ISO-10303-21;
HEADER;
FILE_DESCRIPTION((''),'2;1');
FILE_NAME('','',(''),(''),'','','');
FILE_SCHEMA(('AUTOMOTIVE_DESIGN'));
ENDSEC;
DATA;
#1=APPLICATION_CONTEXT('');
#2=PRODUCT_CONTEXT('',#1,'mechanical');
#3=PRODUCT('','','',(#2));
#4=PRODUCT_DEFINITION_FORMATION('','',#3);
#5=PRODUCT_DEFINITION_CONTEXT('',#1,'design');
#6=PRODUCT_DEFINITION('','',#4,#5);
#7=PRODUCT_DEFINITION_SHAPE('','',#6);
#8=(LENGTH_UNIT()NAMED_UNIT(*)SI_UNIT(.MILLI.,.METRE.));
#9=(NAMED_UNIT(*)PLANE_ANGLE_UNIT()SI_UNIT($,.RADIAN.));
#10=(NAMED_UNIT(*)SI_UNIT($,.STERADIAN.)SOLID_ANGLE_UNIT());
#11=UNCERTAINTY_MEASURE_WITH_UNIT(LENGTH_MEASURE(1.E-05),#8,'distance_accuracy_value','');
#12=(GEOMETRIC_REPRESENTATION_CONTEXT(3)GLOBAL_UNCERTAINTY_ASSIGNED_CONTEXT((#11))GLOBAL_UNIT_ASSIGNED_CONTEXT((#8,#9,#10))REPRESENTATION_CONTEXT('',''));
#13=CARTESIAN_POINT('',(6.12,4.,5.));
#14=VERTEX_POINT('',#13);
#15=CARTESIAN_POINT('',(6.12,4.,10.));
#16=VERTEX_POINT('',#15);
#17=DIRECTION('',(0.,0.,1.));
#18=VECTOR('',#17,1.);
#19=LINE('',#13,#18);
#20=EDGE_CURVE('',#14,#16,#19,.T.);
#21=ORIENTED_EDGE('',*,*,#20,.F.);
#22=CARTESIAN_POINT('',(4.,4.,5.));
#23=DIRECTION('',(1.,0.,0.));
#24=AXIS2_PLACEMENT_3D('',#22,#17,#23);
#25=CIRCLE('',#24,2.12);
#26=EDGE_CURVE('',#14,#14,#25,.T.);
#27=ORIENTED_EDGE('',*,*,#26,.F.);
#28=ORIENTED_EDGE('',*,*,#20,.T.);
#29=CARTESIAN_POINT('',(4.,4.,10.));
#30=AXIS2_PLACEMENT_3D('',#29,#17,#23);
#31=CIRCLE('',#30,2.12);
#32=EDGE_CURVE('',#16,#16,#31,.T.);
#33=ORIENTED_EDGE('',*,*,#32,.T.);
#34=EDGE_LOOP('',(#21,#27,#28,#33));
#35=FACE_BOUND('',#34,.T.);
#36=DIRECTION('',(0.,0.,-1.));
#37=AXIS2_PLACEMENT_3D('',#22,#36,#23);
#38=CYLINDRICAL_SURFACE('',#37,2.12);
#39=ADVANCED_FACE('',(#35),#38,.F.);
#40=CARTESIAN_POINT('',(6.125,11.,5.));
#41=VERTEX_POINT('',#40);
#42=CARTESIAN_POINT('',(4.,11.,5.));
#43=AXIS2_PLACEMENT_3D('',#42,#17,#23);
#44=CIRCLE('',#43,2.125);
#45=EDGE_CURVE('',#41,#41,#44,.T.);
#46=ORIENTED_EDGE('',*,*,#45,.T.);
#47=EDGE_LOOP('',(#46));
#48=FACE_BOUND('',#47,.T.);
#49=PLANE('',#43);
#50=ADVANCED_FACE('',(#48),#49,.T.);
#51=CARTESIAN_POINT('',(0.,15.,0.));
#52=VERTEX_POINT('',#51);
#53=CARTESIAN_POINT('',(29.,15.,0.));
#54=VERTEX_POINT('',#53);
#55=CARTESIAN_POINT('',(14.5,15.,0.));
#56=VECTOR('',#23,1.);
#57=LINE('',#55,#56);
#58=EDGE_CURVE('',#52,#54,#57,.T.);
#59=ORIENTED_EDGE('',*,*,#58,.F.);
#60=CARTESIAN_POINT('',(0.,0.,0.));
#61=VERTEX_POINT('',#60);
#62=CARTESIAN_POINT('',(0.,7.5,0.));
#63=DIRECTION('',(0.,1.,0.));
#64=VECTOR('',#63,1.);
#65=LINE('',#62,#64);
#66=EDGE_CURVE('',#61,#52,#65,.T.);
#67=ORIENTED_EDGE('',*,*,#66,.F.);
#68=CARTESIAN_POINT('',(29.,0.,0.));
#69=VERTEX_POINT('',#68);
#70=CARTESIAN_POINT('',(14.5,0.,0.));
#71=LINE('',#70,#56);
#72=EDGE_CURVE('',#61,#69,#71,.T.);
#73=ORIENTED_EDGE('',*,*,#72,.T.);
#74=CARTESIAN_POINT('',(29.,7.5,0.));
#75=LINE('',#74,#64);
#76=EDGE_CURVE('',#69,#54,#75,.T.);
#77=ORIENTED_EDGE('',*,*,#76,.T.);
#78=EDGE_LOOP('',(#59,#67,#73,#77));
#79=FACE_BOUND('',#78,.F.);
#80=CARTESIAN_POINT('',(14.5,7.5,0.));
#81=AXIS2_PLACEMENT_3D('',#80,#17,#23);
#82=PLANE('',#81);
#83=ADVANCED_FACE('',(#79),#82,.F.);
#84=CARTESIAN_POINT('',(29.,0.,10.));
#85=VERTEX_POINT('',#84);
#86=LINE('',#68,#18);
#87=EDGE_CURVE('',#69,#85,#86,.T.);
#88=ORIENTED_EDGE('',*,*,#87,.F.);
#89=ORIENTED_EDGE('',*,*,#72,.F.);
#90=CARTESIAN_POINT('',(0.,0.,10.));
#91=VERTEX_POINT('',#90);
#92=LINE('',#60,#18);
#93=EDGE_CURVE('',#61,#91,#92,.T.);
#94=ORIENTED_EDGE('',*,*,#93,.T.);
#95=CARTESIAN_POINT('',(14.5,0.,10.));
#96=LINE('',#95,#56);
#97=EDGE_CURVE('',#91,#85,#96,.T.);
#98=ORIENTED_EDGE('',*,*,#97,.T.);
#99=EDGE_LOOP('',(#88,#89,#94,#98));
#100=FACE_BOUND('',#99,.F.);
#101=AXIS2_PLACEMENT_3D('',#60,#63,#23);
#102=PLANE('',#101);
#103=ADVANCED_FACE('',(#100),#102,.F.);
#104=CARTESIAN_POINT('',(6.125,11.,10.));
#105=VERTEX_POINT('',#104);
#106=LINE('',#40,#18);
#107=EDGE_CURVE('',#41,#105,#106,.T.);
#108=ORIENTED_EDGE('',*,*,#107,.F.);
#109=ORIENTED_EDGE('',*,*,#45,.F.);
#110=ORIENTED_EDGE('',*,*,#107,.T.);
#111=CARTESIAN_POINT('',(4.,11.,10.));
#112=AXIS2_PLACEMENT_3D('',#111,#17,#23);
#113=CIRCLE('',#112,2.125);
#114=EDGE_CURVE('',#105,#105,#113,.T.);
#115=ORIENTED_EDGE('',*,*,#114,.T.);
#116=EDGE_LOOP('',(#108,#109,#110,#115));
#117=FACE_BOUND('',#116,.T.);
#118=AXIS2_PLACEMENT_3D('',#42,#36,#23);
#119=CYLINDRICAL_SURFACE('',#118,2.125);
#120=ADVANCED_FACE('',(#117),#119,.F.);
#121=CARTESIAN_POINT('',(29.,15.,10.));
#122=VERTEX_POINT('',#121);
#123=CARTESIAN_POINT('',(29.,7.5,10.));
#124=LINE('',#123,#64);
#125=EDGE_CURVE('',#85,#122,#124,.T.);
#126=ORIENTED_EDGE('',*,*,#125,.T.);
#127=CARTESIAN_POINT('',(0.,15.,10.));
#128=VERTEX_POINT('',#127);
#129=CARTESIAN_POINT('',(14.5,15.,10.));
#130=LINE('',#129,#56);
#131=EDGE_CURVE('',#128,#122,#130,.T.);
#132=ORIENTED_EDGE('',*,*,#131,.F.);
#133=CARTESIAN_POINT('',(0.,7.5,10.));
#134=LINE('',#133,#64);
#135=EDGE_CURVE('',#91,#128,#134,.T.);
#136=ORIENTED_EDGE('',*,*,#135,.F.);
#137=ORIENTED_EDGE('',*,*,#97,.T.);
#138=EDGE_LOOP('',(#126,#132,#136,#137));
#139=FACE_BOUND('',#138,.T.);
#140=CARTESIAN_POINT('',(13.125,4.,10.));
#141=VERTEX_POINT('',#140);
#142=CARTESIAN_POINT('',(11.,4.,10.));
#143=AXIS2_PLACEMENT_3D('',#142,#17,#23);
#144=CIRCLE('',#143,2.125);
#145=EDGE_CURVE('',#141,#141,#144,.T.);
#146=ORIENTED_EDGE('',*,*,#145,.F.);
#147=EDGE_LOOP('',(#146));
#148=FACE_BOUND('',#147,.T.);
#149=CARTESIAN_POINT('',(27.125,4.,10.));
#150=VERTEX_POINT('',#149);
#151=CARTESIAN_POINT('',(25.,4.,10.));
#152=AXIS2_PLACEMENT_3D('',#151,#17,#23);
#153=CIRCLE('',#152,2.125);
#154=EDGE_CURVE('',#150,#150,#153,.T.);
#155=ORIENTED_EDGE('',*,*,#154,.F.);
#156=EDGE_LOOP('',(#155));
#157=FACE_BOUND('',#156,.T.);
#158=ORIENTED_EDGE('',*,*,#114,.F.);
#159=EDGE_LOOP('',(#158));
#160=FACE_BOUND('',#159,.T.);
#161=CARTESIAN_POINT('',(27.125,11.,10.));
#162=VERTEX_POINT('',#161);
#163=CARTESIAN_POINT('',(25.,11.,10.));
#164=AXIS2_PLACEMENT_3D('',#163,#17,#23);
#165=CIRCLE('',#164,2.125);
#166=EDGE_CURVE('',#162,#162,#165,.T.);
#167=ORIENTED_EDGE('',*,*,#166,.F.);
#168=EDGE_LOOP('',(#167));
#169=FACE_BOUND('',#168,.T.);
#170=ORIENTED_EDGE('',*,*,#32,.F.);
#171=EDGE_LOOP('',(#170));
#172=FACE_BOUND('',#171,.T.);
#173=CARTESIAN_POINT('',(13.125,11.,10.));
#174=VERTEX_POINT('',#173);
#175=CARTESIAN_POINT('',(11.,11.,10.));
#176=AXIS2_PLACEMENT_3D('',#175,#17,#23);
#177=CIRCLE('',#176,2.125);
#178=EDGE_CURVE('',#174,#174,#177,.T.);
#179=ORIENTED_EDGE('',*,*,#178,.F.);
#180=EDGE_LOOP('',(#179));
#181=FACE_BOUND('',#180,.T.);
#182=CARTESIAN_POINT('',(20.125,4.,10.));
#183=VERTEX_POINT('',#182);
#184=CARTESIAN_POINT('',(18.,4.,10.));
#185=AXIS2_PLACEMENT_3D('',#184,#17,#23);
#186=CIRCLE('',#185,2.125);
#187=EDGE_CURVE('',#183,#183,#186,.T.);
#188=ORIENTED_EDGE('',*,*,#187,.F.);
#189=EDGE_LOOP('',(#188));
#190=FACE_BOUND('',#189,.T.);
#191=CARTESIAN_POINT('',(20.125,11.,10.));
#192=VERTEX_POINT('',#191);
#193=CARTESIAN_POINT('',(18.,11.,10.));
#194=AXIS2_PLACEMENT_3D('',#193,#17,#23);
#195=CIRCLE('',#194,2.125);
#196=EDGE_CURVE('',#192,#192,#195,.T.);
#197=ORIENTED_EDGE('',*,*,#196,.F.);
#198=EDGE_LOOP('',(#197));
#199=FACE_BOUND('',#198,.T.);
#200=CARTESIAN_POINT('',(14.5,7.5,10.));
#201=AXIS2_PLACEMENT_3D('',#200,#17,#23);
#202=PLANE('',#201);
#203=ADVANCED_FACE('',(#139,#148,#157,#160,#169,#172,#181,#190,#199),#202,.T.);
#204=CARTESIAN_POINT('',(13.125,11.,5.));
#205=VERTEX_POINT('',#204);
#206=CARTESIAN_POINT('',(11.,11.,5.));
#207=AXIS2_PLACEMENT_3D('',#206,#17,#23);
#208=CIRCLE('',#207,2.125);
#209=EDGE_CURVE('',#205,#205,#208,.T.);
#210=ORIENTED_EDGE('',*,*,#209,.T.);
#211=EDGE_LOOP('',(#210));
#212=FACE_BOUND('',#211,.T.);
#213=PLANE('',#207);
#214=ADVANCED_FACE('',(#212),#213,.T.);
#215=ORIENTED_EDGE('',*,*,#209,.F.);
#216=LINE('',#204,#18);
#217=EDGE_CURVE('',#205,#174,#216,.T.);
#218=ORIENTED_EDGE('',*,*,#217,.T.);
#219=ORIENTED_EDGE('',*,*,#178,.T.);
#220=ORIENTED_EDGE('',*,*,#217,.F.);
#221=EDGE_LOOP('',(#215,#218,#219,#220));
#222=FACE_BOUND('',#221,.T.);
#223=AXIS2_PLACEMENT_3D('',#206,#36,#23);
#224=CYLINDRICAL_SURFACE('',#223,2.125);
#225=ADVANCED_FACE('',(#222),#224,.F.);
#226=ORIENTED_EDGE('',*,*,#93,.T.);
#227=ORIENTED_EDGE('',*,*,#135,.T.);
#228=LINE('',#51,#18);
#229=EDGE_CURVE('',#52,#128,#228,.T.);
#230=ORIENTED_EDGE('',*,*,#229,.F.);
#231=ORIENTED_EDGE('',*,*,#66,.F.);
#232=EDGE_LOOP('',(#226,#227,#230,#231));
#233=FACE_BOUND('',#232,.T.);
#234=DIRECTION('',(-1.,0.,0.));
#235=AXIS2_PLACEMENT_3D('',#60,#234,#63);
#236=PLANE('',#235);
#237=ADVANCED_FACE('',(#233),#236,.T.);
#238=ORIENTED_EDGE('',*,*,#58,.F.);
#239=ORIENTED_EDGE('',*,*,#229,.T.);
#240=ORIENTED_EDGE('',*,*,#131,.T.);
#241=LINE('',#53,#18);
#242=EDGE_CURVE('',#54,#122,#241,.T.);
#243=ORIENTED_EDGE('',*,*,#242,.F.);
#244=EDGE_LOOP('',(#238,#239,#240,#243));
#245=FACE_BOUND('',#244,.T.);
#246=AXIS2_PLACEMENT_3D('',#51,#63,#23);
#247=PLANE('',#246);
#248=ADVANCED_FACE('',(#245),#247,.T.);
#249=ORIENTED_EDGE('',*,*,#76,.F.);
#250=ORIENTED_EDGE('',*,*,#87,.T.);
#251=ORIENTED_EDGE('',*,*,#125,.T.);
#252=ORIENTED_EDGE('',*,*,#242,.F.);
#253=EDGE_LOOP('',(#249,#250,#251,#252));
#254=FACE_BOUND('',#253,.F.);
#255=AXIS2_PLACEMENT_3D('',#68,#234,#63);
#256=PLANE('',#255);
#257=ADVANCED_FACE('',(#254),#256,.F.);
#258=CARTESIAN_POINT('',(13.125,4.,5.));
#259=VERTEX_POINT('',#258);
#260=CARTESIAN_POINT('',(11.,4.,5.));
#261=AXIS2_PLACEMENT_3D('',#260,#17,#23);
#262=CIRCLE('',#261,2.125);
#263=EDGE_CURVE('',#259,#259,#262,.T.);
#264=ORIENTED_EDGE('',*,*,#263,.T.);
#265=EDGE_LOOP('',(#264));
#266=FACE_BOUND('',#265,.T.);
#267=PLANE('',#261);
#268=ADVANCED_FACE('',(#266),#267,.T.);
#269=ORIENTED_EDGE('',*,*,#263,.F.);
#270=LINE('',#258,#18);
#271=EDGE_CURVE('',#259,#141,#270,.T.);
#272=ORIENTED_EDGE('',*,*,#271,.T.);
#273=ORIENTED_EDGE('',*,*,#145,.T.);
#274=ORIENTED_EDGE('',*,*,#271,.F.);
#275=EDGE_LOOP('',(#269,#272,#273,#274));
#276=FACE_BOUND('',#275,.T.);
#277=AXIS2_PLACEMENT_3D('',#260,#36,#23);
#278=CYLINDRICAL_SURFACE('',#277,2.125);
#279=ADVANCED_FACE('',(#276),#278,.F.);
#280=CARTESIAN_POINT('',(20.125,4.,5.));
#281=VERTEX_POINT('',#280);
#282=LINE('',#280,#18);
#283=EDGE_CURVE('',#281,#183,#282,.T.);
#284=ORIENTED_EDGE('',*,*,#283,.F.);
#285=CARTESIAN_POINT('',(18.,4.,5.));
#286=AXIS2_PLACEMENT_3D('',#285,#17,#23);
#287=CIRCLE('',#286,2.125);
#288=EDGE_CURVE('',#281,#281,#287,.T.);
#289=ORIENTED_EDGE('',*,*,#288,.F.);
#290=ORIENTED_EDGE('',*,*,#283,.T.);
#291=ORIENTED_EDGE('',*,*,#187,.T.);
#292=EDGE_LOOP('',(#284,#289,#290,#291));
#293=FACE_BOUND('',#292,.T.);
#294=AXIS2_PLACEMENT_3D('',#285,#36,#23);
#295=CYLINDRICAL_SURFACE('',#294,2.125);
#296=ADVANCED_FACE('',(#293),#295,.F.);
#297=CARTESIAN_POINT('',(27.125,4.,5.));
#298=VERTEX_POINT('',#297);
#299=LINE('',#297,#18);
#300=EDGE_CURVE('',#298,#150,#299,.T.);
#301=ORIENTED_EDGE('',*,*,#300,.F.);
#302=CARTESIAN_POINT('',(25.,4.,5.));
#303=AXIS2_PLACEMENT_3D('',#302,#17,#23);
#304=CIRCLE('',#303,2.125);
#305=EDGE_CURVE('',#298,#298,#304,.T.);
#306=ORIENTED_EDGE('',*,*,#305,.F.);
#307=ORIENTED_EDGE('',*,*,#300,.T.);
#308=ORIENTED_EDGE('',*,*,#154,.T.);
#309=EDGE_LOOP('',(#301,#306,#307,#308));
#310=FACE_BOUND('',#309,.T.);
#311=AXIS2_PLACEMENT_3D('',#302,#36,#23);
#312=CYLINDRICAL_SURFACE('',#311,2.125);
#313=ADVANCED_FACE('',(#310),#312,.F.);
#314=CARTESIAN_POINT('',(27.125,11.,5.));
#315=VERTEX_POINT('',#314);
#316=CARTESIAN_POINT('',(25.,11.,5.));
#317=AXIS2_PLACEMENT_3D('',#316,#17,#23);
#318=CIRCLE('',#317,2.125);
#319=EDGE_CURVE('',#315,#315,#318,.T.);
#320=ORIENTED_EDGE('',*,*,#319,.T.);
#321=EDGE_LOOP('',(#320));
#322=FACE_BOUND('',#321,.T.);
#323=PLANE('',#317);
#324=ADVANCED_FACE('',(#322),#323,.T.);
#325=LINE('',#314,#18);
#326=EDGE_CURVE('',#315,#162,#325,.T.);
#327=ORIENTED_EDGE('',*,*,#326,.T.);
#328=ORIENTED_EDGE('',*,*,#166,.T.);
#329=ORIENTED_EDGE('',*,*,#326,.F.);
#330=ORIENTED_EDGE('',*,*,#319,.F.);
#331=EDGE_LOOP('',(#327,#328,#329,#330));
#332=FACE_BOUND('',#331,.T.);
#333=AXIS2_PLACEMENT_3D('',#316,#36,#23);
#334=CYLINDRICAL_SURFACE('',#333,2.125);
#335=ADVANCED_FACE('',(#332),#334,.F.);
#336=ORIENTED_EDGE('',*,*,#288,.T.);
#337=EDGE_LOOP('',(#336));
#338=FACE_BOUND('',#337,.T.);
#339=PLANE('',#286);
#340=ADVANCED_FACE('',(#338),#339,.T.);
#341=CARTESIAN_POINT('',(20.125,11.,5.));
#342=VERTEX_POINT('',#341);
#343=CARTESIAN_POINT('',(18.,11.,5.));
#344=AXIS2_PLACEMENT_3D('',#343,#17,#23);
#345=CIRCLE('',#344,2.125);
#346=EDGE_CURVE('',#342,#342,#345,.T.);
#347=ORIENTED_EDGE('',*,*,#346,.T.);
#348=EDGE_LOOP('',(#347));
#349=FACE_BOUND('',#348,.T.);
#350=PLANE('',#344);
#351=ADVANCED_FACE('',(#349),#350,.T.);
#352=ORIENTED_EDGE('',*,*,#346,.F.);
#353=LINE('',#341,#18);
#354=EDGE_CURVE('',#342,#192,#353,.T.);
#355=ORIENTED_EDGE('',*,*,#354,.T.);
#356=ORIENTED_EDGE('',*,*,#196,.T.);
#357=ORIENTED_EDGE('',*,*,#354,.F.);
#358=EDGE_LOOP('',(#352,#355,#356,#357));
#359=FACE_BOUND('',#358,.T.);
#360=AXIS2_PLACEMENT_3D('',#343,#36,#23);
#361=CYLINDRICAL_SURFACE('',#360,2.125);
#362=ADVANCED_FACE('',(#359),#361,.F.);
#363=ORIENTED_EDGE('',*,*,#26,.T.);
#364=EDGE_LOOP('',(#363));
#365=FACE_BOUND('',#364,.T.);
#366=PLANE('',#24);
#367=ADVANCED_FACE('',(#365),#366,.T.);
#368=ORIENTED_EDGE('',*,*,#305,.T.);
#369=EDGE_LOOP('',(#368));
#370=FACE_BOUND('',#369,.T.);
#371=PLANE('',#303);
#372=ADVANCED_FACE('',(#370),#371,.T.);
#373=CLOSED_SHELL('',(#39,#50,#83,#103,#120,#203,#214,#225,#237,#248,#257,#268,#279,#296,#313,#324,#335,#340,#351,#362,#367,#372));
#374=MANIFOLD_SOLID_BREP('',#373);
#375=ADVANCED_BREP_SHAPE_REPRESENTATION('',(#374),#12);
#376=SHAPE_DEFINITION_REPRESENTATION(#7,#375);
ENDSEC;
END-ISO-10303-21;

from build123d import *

# Parameters (mm, degrees)
CYLINDER003_R     = 2.125
CYLINDER003_DEPTH = 5
CYLINDER005_R     = 2.125
CYLINDER005_DEPTH = 5
CYLINDER004_R     = 2.125
CYLINDER004_DEPTH = 5
CYLINDER002_R     = 2.125
CYLINDER002_DEPTH = 5
CYLINDER001_R     = 2.125
CYLINDER001_DEPTH = 5
CYLINDER006_R     = 2.125
CYLINDER006_DEPTH = 5
CYLINDER007_R     = 2.125
CYLINDER007_DEPTH = 5
CYLINDER_R        = 2.12
CYLINDER_DEPTH    = 5
BOX_W             = 29
BOX_H             = 15
BOX_DEPTH         = 10


with BuildPart() as cylinder003:
    # Cylinder003 → Cylinder003 (new body)
    with BuildSketch(Plane(origin=(4, 11, 5), x_dir=(1, 0, 0), z_dir=(0, 0, 1))):
        Circle(CYLINDER003_R)
    extrude(amount=CYLINDER003_DEPTH)


with BuildPart() as cylinder005:
    # Cylinder005 → Cylinder005 (new body)
    with BuildSketch(Plane(origin=(25, 4, 5), x_dir=(1, 0, 0), z_dir=(0, 0, 1))):
        Circle(CYLINDER005_R)
    extrude(amount=CYLINDER005_DEPTH)


with BuildPart() as cylinder004:
    # Cylinder004 → Cylinder004 (new body)
    with BuildSketch(Plane(origin=(18, 11, 5), x_dir=(1, 0, 0), z_dir=(0, 0, 1))):
        Circle(CYLINDER004_R)
    extrude(amount=CYLINDER004_DEPTH)


with BuildPart() as cylinder002:
    # Cylinder002 → Cylinder002 (new body)
    with BuildSketch(Plane(origin=(11, 11, 5), x_dir=(1, 0, 0), z_dir=(0, 0, 1))):
        Circle(CYLINDER002_R)
    extrude(amount=CYLINDER002_DEPTH)


with BuildPart() as cylinder001:
    # Cylinder001 → Cylinder001 (new body)
    with BuildSketch(Plane(origin=(11, 4, 5), x_dir=(1, 0, 0), z_dir=(0, 0, 1))):
        Circle(CYLINDER001_R)
    extrude(amount=CYLINDER001_DEPTH)


with BuildPart() as cylinder006:
    # Cylinder006 → Cylinder006 (new body)
    with BuildSketch(Plane(origin=(18, 4, 5), x_dir=(1, 0, 0), z_dir=(0, 0, 1))):
        Circle(CYLINDER006_R)
    extrude(amount=CYLINDER006_DEPTH)


with BuildPart() as cylinder007:
    # Cylinder007 → Cylinder007 (new body)
    with BuildSketch(Plane(origin=(25, 11, 5), x_dir=(1, 0, 0), z_dir=(0, 0, 1))):
        Circle(CYLINDER007_R)
    extrude(amount=CYLINDER007_DEPTH)


with BuildPart() as fusion:
    # Cylinder → Cylinder (new body)
    with BuildSketch(Plane(origin=(4, 4, 5), x_dir=(1, 0, 0), z_dir=(0, 0, 1))):
        Circle(CYLINDER_R)
    extrude(amount=CYLINDER_DEPTH)

    # Fusion: union Cylinder003, Cylinder005, Cylinder004, Cylinder002, Cylinder001, Cylinder006, Cylinder007
    add(cylinder003.part)
    add(cylinder005.part)
    add(cylinder004.part)
    add(cylinder002.part)
    add(cylinder001.part)
    add(cylinder006.part)
    add(cylinder007.part)


with BuildPart() as cut:
    # Box → Box (new body)
    with BuildSketch(Plane.XY):
        with Locations((14.5, 7.5)):
            Rectangle(BOX_W, BOX_H)
    extrude(amount=BOX_DEPTH)

    # Cut: cut Fusion
    add(fusion.part, mode=Mode.SUBTRACT)


solid = cut.part
